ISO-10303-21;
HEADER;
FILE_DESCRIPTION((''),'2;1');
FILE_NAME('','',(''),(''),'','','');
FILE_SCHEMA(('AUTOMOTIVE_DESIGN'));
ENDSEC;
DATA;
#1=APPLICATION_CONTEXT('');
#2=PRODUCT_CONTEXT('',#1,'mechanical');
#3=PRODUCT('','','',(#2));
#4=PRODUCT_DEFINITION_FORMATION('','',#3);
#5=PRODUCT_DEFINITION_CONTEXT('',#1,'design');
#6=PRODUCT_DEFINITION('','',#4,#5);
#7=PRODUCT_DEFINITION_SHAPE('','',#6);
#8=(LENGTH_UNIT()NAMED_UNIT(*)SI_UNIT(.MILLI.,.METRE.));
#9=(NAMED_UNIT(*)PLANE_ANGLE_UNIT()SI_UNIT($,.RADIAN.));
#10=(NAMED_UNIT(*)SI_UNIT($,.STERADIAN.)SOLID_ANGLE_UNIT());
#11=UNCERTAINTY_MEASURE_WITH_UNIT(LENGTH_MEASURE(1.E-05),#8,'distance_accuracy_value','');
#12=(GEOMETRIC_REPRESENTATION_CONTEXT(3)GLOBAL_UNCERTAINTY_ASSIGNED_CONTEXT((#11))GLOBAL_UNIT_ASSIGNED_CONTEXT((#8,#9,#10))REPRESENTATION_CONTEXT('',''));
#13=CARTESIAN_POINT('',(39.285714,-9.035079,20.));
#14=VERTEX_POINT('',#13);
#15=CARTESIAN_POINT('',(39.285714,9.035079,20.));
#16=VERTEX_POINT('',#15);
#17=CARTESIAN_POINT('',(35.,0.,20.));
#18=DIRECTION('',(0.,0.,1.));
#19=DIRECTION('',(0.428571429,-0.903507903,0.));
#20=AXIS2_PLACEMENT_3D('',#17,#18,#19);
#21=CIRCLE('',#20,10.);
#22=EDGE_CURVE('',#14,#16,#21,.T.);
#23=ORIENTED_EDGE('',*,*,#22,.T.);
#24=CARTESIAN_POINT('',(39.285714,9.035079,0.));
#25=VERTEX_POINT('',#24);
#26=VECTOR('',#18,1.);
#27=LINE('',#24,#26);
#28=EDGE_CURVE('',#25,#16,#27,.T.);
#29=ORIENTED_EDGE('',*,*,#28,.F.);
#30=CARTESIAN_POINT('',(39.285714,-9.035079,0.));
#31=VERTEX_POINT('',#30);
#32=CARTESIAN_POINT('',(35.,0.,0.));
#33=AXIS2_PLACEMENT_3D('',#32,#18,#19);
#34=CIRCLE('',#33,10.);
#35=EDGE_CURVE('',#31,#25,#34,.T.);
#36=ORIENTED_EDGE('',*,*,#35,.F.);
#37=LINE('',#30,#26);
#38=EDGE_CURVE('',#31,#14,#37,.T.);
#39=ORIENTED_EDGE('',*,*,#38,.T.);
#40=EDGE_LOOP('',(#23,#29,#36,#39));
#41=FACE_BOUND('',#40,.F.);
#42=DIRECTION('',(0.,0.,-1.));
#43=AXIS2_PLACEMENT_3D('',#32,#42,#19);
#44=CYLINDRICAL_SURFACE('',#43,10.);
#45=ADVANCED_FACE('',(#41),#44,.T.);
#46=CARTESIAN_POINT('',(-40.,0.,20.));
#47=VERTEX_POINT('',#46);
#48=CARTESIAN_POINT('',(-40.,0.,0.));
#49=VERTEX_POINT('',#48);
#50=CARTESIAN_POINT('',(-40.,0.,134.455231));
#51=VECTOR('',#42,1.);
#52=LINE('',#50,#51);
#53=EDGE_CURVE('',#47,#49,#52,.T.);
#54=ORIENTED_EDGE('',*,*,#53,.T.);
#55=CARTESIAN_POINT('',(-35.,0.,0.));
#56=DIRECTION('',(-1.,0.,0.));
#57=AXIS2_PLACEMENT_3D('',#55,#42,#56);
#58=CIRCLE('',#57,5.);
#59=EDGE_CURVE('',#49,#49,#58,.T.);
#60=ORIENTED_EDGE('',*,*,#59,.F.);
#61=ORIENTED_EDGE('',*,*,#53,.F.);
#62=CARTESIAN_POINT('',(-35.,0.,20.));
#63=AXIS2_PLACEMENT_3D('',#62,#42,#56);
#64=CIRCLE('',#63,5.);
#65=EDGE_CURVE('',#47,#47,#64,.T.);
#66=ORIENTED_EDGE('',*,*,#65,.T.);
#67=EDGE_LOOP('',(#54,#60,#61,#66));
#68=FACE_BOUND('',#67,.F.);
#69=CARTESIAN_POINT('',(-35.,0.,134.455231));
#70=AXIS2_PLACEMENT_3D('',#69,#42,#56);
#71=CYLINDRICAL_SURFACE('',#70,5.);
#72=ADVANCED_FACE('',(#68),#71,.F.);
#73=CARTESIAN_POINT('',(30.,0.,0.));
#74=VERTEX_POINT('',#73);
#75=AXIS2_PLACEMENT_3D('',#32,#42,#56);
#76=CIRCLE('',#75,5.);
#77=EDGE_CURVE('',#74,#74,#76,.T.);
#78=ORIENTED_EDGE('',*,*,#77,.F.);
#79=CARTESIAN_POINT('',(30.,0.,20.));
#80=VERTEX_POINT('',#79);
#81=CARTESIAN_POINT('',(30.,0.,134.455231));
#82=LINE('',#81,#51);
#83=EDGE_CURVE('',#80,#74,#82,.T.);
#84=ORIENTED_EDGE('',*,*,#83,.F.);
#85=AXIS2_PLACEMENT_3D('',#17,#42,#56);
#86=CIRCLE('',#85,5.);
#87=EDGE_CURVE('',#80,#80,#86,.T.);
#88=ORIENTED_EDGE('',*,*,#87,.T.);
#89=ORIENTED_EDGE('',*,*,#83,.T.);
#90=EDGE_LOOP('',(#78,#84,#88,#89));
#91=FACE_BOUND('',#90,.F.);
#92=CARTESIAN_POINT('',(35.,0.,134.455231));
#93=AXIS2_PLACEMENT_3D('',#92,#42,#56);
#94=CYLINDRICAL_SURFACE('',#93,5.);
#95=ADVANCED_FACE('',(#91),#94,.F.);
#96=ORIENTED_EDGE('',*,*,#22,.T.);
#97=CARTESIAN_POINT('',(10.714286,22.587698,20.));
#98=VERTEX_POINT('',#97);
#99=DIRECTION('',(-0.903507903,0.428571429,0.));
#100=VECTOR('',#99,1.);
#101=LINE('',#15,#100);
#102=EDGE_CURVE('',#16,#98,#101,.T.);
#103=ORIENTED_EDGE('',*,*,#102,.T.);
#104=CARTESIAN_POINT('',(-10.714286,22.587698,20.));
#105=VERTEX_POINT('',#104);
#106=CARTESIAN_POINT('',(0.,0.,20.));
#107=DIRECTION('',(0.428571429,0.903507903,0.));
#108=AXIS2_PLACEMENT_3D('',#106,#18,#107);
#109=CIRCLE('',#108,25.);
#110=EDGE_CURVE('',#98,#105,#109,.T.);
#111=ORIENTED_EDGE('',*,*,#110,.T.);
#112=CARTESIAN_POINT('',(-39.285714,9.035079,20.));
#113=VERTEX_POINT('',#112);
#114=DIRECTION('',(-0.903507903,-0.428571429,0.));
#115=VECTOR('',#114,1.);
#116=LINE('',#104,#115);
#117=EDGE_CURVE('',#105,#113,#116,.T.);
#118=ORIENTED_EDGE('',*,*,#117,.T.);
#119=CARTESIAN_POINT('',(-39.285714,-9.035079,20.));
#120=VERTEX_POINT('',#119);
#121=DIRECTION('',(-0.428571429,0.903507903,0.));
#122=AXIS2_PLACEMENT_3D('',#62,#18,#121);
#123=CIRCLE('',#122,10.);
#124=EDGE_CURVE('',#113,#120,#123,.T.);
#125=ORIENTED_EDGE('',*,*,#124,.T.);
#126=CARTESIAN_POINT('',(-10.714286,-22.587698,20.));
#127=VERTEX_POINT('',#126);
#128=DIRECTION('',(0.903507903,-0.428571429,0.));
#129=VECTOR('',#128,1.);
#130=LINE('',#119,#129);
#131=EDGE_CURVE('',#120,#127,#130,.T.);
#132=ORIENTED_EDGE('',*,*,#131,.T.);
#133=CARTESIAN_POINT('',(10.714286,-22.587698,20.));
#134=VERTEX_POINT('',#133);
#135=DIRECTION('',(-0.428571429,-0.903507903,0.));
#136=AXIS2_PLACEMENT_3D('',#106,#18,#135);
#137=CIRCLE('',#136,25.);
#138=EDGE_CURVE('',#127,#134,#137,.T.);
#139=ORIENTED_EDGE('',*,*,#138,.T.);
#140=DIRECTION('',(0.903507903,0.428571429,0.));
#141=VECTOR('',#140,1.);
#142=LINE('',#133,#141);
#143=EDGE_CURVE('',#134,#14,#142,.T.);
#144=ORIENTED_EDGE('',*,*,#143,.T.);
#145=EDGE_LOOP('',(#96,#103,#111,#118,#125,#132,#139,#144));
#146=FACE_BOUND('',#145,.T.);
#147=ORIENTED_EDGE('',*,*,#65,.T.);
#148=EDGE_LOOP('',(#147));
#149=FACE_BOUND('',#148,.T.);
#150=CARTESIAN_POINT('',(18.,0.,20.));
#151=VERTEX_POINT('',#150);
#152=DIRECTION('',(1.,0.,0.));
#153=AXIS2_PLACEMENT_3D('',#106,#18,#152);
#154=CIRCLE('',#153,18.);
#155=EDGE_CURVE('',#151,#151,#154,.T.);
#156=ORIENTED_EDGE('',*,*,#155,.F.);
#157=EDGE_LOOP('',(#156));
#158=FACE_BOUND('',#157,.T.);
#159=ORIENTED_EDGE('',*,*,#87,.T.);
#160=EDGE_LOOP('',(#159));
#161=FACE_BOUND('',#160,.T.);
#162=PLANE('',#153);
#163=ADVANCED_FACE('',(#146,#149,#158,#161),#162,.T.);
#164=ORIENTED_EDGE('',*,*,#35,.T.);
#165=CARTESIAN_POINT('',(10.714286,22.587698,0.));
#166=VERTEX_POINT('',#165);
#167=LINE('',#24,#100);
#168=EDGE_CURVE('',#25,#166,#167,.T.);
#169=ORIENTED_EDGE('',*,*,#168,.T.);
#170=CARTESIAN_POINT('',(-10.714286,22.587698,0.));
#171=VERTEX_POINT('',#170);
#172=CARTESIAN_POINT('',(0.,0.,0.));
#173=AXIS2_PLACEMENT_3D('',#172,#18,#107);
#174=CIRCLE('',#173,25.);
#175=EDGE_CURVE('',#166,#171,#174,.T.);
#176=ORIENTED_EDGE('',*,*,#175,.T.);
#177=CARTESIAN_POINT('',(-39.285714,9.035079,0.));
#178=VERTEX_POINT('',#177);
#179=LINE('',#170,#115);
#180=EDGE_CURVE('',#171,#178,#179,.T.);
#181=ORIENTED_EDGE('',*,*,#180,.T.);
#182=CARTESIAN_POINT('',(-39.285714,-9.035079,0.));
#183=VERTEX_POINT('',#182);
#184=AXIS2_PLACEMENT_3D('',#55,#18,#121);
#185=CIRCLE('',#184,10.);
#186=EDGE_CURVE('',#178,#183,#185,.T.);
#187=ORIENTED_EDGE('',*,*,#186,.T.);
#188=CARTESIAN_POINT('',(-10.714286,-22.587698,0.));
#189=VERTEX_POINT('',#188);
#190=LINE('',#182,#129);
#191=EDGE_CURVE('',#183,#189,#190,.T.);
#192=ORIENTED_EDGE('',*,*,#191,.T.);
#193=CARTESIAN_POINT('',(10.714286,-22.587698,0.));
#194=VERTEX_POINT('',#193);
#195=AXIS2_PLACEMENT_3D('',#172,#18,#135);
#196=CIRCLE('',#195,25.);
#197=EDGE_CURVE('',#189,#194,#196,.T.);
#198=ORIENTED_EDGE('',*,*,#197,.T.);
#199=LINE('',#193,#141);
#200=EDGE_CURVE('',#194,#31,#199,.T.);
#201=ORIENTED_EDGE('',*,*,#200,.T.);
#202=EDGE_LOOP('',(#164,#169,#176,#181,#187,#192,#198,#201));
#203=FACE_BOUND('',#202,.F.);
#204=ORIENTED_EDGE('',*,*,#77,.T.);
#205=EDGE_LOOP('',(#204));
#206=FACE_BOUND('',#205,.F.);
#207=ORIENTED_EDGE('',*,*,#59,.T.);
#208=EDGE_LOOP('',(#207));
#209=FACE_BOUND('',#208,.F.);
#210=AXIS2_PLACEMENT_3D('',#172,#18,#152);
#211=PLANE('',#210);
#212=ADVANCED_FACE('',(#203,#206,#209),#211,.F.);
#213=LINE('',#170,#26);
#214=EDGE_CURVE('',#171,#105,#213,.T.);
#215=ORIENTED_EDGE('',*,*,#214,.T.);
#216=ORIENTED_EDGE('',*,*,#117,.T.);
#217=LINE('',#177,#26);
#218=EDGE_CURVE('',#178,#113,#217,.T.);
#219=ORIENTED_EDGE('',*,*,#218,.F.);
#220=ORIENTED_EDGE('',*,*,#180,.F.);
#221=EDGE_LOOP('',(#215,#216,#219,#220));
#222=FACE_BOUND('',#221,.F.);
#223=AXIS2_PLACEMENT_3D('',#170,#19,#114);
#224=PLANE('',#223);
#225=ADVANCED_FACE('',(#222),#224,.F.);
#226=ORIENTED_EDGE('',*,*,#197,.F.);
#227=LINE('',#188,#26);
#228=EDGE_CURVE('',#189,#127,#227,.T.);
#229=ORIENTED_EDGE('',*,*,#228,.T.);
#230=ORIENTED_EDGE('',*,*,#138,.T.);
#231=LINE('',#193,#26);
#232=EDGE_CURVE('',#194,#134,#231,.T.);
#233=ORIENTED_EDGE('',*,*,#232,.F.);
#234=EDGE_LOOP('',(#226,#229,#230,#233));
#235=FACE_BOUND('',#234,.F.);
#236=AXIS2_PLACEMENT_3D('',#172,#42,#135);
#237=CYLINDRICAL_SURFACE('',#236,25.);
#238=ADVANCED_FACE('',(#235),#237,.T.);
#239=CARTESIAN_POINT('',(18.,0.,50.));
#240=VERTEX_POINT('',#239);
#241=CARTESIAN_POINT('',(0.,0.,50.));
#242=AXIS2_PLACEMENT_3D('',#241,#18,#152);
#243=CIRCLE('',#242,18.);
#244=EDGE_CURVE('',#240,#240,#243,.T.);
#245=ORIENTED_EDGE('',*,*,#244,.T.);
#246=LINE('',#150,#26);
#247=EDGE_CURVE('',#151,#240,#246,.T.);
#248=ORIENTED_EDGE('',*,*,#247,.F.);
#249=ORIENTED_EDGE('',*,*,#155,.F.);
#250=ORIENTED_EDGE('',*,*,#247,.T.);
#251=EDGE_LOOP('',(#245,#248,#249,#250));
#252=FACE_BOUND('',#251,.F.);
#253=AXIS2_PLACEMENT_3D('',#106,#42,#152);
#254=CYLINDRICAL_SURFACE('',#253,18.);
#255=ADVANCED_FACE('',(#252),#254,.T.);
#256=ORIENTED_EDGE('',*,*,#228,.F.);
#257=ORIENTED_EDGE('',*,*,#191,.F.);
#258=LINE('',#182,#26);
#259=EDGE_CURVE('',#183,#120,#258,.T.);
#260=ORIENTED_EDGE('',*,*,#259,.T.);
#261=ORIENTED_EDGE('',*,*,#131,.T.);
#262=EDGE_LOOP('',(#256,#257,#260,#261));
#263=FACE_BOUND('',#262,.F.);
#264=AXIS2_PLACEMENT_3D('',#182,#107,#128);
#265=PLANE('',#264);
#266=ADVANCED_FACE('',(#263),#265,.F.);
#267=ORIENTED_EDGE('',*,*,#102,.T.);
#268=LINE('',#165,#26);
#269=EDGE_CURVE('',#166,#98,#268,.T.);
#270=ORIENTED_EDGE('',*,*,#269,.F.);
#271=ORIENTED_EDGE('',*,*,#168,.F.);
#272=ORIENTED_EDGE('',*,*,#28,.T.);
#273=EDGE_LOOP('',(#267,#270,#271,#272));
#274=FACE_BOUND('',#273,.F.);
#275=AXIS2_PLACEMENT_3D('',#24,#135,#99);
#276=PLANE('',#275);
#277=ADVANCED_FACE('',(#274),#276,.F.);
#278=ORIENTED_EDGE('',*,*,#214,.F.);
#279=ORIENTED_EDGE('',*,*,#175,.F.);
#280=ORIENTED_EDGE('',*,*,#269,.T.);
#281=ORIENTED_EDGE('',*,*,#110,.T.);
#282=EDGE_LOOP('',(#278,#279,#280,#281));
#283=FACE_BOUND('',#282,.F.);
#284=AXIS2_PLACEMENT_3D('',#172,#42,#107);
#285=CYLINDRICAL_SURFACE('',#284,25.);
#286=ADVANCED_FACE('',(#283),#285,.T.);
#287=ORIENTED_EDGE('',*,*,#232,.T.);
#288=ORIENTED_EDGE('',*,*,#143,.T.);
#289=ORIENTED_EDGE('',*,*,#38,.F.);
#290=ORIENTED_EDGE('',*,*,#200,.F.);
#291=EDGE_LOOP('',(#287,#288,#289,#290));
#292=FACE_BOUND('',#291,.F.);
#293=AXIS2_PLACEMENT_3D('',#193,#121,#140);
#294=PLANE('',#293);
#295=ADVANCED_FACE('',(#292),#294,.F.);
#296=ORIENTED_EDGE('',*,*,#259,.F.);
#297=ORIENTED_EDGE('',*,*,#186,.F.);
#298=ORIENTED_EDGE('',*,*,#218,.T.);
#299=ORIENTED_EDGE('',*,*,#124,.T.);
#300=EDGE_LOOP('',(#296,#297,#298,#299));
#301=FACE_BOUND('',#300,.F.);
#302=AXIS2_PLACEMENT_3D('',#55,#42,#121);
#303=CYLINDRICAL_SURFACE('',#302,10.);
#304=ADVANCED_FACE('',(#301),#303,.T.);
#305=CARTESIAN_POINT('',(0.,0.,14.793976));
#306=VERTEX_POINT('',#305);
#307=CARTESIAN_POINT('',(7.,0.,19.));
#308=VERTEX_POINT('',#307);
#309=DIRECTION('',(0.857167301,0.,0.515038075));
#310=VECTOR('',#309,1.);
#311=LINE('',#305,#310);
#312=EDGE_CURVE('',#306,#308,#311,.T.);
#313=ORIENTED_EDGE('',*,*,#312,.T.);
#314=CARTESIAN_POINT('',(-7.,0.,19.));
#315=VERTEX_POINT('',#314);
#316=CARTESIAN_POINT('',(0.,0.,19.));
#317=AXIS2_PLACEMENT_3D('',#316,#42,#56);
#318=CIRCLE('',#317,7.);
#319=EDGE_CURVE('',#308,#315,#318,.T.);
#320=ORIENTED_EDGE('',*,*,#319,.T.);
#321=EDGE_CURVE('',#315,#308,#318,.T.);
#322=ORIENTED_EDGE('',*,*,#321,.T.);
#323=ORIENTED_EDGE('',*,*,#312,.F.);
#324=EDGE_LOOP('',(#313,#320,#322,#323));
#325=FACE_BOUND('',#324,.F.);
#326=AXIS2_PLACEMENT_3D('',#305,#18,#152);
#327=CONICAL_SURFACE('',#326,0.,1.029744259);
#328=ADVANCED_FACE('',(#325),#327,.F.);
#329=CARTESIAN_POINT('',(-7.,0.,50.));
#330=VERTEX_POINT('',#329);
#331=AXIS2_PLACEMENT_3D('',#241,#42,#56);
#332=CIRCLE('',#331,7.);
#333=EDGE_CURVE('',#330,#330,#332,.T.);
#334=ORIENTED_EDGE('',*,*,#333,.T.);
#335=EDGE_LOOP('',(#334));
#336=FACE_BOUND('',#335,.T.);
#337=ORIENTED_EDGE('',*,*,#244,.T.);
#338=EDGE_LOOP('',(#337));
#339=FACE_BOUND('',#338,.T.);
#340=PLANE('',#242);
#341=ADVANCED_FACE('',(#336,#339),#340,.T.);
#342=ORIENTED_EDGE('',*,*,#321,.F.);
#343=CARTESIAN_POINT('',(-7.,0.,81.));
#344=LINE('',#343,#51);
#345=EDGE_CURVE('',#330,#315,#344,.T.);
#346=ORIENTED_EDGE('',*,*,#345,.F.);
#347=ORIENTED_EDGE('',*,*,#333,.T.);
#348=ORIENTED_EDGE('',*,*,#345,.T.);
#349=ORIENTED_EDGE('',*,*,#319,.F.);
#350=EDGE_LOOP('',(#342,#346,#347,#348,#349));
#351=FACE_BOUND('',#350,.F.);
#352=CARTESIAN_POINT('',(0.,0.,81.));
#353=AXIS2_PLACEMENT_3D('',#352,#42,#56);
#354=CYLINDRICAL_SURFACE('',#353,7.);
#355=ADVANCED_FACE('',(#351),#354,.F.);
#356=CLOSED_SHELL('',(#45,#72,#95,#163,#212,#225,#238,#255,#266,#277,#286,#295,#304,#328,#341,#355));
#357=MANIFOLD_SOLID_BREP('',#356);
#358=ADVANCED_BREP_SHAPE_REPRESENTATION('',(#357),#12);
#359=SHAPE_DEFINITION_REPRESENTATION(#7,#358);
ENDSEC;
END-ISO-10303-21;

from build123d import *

# Parameters (mm, degrees)
F1_DEPTH = 20
F2_R     = 18
F3_DEPTH = 30
F4_D     = 10
F6_D     = 14
F6_DEPTH = 31
F6_TIP   = 4.2060243332


with BuildPart() as f1:
    # F0 (on Top) → F1 (new body)
    with BuildSketch(Plane.XY):
        with BuildLine():
            Line((-10.7142857143, 22.5876975726), (-39.2857142857, 9.0350790291))
            ThreePointArc((-39.2857142857, 9.0350790291), (-45, 0), (-39.2857142857, -9.0350790291))
            Line((-39.2857142857, -9.0350790291), (-10.7142857143, -22.5876975726))
            ThreePointArc((-10.7142857143, -22.5876975726), (0, -25), (10.7142857143, -22.5876975726))
            Line((10.7142857143, -22.5876975726), (39.2857142857, -9.0350790291))
            ThreePointArc((39.2857142857, -9.0350790291), (45, 0), (39.2857142857, 9.0350790291))
            Line((39.2857142857, 9.0350790291), (10.7142857143, 22.5876975726))
            ThreePointArc((10.7142857143, 22.5876975726), (0, 25), (-10.7142857143, 22.5876975726))
        make_face()
    extrude(amount=F1_DEPTH)

    # F2 (on face) → F3 (join)
    with BuildSketch(Plane.XY.offset(20)):
        Circle(F2_R)
    extrude(amount=F3_DEPTH)

    # F4 (through all)
    with Locations(Plane.XY.offset(20)):
        with Locations((-35, 0), (35, 0)):
            Hole(F4_D / 2)

    # F6
    with Locations(Plane.XY.offset(50)):
        with Locations((0, 0)):
            Hole(F6_D / 2, depth=F6_DEPTH)
            with Locations((0, 0, -(F6_DEPTH + F6_TIP / 2))):  # 118° drill point
                Cone(0, F6_D / 2, F6_TIP, mode=Mode.SUBTRACT)


solid = f1.part
